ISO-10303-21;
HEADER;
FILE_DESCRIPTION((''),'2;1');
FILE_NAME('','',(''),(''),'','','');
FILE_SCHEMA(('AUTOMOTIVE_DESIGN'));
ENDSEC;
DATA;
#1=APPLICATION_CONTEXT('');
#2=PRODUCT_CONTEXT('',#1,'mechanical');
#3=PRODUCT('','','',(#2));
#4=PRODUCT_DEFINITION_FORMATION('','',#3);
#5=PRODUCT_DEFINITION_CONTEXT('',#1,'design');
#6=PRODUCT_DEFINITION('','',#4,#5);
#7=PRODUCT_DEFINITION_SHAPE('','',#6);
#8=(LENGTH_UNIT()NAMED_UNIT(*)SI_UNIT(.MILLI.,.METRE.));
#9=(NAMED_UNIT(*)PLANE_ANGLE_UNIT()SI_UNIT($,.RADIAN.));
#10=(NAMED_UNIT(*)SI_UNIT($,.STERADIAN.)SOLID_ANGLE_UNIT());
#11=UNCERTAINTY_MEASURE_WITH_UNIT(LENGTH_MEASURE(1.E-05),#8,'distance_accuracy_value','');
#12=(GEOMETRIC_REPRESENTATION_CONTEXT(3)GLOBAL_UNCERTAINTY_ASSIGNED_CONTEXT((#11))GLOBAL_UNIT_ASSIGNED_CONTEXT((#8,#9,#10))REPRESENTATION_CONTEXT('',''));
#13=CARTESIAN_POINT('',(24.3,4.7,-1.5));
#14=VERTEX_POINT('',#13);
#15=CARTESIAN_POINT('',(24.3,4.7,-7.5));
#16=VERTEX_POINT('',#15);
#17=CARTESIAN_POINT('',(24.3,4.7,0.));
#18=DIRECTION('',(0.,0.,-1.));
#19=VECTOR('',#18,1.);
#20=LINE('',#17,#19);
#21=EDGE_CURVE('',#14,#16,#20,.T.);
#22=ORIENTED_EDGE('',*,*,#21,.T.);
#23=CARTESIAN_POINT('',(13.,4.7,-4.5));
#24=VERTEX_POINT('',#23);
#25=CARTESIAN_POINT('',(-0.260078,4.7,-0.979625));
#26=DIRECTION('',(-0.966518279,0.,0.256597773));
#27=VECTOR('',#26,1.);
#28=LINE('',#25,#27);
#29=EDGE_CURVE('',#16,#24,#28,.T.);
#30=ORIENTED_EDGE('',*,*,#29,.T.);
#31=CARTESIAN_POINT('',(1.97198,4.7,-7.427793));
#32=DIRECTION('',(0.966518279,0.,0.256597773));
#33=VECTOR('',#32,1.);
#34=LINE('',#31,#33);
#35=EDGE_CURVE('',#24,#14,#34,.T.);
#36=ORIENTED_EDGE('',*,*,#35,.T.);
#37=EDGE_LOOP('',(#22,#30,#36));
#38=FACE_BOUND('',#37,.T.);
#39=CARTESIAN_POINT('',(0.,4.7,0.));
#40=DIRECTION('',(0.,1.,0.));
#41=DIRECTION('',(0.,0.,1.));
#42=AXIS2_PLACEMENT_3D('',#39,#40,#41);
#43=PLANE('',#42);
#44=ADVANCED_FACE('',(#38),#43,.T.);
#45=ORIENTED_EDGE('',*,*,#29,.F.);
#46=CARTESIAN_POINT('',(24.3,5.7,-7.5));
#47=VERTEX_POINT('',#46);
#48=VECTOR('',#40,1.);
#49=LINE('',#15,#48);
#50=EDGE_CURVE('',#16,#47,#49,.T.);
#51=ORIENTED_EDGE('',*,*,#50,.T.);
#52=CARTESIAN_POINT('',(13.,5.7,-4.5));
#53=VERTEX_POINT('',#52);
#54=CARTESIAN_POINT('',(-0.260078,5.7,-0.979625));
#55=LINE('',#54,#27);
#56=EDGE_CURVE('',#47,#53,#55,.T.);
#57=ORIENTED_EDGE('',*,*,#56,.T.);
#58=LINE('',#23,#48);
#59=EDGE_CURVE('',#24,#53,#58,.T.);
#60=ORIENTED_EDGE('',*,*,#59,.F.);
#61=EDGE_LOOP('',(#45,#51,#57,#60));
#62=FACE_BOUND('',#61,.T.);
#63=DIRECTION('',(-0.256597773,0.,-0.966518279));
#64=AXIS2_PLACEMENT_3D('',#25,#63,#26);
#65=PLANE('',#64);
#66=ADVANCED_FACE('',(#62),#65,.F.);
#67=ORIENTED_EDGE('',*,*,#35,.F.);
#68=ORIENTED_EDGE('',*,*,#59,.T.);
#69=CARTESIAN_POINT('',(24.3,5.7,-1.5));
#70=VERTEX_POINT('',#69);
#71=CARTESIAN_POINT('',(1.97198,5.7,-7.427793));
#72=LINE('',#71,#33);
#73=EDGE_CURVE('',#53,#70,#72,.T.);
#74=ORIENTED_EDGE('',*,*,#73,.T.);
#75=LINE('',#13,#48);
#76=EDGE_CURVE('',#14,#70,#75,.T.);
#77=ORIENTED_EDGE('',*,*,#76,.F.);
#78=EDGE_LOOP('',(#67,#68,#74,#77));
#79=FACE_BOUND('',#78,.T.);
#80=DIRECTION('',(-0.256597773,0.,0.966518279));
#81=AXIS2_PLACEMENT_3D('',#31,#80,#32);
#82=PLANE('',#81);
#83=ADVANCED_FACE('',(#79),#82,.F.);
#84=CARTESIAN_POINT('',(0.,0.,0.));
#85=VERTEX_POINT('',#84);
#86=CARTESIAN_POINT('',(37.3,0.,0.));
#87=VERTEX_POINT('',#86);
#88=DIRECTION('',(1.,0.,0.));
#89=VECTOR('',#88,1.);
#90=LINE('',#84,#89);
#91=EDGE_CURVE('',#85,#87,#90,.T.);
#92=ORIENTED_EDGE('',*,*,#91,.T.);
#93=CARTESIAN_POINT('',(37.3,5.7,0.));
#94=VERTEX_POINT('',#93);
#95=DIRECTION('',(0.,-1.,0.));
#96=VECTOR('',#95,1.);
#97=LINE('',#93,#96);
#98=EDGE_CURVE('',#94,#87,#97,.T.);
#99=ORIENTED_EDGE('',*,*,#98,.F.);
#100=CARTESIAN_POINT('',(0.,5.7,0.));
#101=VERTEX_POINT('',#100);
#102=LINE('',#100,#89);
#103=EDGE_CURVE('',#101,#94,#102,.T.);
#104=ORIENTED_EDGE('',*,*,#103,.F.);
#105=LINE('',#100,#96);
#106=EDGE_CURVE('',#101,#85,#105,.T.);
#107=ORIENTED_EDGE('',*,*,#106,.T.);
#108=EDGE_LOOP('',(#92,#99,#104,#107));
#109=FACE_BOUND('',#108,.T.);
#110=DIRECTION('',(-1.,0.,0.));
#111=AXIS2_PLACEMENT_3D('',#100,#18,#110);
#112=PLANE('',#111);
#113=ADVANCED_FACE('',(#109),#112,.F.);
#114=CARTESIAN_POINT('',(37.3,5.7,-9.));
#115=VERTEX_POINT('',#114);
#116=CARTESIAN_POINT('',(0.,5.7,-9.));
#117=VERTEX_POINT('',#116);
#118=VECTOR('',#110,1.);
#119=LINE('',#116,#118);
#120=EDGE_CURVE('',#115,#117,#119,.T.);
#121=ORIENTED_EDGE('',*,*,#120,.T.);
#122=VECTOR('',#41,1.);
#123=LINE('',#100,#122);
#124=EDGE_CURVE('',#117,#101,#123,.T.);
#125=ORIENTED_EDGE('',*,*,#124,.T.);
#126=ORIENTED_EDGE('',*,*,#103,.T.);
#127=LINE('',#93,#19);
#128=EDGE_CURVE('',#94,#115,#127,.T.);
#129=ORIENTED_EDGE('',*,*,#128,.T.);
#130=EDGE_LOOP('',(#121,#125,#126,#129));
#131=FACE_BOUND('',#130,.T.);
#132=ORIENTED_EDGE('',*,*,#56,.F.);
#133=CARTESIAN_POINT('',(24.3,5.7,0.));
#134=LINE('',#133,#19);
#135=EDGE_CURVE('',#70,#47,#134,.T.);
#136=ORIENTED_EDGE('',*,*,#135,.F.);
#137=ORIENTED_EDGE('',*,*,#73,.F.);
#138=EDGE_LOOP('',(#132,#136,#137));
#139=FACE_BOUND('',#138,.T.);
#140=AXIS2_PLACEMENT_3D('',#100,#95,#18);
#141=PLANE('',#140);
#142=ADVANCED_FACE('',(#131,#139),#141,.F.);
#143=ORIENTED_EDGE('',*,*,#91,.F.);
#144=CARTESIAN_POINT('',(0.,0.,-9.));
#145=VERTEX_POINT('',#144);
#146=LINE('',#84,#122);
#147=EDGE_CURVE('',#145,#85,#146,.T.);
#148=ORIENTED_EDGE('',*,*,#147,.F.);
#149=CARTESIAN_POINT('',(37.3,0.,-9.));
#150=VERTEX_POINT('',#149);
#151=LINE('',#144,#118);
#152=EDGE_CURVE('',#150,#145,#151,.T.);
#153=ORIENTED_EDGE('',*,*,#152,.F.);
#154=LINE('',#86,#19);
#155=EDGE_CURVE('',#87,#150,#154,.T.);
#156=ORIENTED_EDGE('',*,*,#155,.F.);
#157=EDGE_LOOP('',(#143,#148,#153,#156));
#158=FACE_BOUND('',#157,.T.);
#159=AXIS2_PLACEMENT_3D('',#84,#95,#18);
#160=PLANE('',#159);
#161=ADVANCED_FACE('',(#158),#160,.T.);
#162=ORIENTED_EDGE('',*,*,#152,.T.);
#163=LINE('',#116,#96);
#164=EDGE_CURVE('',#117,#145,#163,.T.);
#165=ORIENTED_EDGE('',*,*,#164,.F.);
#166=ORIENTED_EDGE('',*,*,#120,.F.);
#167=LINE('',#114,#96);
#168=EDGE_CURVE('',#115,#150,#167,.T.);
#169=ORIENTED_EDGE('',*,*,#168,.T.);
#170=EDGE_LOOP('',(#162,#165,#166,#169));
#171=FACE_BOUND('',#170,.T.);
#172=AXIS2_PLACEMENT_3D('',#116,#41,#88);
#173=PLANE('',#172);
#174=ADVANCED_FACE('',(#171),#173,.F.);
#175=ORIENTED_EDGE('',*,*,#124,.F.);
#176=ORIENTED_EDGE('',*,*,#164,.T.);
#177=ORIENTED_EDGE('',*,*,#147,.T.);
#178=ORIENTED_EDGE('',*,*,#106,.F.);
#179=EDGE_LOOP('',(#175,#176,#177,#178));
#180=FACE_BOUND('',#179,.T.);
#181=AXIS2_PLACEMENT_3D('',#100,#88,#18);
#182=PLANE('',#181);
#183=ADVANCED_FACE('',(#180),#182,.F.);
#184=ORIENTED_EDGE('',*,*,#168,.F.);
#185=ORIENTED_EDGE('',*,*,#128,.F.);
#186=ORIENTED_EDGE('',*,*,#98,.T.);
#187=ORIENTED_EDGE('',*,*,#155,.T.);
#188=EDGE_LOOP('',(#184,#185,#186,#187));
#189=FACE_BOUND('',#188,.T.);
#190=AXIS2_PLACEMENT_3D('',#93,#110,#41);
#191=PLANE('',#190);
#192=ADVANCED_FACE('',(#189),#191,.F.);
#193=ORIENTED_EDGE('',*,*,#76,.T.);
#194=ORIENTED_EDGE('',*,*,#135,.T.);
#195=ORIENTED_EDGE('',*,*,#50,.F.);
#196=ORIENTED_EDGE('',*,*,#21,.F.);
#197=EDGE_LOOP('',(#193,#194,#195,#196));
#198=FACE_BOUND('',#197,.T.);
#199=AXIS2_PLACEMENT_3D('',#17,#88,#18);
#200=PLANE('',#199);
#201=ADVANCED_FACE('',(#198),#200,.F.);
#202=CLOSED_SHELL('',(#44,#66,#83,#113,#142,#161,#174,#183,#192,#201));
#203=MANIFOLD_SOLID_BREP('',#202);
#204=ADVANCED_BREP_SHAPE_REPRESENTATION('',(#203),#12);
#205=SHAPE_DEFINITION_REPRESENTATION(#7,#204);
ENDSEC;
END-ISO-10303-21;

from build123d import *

# Parameters (mm, degrees)
SKETCH2_W           = 37.3
SKETCH2_H           = 9
BOSS_EXTRUDE1_DEPTH = 5.7
CUT_EXTRUDE1_DEPTH  = 1


with BuildPart() as part:
    # Sketch2 → Boss-Extrude1 (new body)
    with BuildSketch(Plane(origin=(0, 0, 0), x_dir=(1, 0, 0), z_dir=(0, 1, 0))):
        with Locations((18.65, 4.5)):
            Rectangle(SKETCH2_W, SKETCH2_H)
    extrude(amount=BOSS_EXTRUDE1_DEPTH)

    # Sketch3 → Cut-Extrude1 (cut)
    with BuildSketch(Plane(origin=(0, 5.7, 0), x_dir=(1, 0, 0), z_dir=(0, 1, 0))):
        Polygon((24.3, 7.5), (13, 4.5), (24.3, 1.5), align=None)
    extrude(amount=-CUT_EXTRUDE1_DEPTH, mode=Mode.SUBTRACT)


solid = part.part
